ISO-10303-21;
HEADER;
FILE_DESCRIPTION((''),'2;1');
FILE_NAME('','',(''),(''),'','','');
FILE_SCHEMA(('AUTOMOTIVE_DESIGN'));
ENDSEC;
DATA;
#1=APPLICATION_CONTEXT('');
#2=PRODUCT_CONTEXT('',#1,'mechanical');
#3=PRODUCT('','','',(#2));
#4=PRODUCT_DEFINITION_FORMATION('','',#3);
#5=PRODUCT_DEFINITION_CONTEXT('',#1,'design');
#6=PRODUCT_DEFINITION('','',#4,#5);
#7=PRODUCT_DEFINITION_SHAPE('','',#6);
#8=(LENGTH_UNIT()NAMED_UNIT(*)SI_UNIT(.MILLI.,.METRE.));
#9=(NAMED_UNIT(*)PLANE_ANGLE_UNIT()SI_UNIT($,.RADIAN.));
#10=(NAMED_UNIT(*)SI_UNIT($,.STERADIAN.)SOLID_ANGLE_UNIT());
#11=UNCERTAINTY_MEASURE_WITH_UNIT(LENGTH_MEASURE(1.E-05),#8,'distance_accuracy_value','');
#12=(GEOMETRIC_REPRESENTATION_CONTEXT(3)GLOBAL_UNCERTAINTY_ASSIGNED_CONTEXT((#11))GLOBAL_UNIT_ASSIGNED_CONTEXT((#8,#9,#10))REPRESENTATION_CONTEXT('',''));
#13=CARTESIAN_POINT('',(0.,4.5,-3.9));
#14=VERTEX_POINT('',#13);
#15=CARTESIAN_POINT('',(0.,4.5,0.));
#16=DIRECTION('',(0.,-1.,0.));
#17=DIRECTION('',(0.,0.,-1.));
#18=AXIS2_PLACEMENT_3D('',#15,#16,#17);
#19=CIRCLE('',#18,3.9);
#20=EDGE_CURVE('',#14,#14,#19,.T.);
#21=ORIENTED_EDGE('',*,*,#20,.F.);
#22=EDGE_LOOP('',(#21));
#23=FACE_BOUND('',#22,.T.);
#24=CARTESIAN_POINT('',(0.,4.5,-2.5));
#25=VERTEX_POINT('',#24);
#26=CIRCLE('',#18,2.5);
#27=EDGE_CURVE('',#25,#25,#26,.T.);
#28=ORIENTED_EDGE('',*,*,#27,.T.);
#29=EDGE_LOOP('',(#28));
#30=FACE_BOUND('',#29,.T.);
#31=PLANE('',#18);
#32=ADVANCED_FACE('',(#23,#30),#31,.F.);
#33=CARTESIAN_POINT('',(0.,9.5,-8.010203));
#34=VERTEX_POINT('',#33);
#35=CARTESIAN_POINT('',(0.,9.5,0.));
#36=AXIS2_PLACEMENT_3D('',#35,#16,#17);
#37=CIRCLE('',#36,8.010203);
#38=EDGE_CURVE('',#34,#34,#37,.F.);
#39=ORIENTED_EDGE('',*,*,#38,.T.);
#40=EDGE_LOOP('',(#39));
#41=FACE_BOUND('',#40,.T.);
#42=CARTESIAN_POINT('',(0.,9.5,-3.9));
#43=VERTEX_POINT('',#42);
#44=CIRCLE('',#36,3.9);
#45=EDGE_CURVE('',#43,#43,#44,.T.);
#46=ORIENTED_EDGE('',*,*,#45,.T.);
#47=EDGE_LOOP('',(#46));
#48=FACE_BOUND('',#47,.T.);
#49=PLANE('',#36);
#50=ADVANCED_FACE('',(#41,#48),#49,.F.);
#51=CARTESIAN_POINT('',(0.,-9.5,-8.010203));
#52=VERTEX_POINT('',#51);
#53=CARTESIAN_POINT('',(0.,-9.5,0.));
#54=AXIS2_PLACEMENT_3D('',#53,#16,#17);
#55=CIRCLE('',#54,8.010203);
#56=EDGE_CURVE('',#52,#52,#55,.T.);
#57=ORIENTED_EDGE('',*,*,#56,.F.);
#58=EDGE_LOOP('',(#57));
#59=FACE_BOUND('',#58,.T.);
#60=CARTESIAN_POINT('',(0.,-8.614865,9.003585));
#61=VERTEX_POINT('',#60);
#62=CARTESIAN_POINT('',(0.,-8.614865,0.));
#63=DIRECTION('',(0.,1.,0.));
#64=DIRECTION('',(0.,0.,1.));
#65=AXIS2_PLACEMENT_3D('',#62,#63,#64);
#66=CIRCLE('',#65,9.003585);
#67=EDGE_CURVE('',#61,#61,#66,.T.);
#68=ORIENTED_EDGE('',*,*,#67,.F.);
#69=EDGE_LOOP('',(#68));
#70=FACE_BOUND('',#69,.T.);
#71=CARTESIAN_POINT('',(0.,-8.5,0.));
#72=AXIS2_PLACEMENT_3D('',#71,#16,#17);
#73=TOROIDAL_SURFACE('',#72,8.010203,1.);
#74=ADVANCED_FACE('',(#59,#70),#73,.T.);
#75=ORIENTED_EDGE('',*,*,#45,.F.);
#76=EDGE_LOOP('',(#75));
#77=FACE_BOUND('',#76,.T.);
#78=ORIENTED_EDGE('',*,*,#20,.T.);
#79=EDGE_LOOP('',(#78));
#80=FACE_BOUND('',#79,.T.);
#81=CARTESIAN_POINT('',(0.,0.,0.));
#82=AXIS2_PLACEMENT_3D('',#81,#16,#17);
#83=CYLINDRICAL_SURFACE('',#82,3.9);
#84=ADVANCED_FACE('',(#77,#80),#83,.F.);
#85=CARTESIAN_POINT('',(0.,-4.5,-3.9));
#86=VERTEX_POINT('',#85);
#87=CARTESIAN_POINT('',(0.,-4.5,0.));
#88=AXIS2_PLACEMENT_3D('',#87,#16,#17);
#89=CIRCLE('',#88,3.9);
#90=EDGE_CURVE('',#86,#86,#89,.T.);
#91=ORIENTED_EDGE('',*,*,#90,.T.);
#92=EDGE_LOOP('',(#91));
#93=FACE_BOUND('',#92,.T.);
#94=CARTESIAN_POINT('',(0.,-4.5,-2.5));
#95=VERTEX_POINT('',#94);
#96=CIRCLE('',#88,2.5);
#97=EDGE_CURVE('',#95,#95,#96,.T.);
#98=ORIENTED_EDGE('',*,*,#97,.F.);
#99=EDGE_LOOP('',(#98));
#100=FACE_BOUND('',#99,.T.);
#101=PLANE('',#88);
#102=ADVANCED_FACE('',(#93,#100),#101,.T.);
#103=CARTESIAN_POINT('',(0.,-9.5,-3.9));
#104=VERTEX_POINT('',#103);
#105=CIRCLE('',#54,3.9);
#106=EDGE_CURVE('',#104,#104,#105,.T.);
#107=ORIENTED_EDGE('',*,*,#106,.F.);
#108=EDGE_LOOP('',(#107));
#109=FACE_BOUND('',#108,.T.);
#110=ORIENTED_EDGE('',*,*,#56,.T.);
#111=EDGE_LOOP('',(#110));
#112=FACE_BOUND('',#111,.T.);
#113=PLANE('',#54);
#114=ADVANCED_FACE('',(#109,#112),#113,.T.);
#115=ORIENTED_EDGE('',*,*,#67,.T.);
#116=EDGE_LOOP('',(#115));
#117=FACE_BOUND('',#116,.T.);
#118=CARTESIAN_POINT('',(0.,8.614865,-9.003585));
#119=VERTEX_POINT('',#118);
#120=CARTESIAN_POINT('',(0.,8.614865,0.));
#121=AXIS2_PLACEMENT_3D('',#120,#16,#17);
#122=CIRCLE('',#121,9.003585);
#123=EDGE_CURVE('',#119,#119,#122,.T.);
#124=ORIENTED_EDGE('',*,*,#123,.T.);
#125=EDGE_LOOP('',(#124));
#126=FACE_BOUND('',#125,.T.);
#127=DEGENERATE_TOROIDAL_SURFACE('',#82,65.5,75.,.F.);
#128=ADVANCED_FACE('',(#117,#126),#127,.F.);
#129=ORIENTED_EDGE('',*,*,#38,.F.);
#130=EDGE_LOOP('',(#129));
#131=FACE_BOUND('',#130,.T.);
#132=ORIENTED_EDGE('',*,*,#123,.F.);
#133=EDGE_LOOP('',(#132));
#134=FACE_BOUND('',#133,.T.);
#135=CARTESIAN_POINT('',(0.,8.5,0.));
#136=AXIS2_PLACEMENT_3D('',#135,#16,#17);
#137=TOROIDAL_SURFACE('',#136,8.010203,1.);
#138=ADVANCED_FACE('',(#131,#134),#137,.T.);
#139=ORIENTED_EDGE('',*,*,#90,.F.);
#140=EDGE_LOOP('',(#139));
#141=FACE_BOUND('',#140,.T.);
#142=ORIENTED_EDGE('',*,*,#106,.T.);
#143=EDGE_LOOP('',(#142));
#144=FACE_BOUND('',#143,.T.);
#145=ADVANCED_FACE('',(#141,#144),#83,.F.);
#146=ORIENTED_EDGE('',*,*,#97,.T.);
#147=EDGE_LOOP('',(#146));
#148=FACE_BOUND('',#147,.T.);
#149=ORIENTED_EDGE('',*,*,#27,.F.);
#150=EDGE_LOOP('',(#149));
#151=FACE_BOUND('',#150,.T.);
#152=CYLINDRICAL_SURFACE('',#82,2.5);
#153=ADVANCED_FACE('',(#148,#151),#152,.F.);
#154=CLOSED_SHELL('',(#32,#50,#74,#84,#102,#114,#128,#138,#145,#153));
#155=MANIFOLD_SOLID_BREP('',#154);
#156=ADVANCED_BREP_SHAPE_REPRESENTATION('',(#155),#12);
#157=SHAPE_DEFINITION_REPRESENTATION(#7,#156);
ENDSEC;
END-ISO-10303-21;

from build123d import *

# Parameters (mm, degrees)
FILLET_1_R = 1


with BuildPart() as part:
    # 草图1 → 旋转1 (revolve)
    with BuildSketch(Plane.XY, mode=Mode.PRIVATE) as revolve_1_sk:
        with BuildLine():
            Line((-2.5, -4.5), (-2.5, 4.5))
            Line((-2.5, 4.5), (-3.9, 4.5))
            Line((-3.9, 4.5), (-3.9, 9.5))
            Line((-3.9, 9.5), (-8.895900425, 9.5))
            ThreePointArc((-8.895900425, 9.5), (-9.5, 0), (-8.895900425, -9.5))
            Line((-8.895900425, -9.5), (-3.9, -9.5))
            Line((-3.9, -9.5), (-3.9, -4.5))
            Line((-3.9, -4.5), (-2.5, -4.5))
        make_face()
    revolve(revolve_1_sk.sketch.rotate(Axis((0, 0, 0), (0, 1, 0)), 270), axis=Axis((0, 0, 0), (0, 1, 0)))

    # 圆角1
    fillet_1_edges = [part.edges().sort_by_distance(p)[0] for p in [
        (0, -9.5, 8.895900425),
        (0, 9.5, 8.895900425),
    ]]
    fillet(fillet_1_edges, radius=FILLET_1_R)


solid = part.part
